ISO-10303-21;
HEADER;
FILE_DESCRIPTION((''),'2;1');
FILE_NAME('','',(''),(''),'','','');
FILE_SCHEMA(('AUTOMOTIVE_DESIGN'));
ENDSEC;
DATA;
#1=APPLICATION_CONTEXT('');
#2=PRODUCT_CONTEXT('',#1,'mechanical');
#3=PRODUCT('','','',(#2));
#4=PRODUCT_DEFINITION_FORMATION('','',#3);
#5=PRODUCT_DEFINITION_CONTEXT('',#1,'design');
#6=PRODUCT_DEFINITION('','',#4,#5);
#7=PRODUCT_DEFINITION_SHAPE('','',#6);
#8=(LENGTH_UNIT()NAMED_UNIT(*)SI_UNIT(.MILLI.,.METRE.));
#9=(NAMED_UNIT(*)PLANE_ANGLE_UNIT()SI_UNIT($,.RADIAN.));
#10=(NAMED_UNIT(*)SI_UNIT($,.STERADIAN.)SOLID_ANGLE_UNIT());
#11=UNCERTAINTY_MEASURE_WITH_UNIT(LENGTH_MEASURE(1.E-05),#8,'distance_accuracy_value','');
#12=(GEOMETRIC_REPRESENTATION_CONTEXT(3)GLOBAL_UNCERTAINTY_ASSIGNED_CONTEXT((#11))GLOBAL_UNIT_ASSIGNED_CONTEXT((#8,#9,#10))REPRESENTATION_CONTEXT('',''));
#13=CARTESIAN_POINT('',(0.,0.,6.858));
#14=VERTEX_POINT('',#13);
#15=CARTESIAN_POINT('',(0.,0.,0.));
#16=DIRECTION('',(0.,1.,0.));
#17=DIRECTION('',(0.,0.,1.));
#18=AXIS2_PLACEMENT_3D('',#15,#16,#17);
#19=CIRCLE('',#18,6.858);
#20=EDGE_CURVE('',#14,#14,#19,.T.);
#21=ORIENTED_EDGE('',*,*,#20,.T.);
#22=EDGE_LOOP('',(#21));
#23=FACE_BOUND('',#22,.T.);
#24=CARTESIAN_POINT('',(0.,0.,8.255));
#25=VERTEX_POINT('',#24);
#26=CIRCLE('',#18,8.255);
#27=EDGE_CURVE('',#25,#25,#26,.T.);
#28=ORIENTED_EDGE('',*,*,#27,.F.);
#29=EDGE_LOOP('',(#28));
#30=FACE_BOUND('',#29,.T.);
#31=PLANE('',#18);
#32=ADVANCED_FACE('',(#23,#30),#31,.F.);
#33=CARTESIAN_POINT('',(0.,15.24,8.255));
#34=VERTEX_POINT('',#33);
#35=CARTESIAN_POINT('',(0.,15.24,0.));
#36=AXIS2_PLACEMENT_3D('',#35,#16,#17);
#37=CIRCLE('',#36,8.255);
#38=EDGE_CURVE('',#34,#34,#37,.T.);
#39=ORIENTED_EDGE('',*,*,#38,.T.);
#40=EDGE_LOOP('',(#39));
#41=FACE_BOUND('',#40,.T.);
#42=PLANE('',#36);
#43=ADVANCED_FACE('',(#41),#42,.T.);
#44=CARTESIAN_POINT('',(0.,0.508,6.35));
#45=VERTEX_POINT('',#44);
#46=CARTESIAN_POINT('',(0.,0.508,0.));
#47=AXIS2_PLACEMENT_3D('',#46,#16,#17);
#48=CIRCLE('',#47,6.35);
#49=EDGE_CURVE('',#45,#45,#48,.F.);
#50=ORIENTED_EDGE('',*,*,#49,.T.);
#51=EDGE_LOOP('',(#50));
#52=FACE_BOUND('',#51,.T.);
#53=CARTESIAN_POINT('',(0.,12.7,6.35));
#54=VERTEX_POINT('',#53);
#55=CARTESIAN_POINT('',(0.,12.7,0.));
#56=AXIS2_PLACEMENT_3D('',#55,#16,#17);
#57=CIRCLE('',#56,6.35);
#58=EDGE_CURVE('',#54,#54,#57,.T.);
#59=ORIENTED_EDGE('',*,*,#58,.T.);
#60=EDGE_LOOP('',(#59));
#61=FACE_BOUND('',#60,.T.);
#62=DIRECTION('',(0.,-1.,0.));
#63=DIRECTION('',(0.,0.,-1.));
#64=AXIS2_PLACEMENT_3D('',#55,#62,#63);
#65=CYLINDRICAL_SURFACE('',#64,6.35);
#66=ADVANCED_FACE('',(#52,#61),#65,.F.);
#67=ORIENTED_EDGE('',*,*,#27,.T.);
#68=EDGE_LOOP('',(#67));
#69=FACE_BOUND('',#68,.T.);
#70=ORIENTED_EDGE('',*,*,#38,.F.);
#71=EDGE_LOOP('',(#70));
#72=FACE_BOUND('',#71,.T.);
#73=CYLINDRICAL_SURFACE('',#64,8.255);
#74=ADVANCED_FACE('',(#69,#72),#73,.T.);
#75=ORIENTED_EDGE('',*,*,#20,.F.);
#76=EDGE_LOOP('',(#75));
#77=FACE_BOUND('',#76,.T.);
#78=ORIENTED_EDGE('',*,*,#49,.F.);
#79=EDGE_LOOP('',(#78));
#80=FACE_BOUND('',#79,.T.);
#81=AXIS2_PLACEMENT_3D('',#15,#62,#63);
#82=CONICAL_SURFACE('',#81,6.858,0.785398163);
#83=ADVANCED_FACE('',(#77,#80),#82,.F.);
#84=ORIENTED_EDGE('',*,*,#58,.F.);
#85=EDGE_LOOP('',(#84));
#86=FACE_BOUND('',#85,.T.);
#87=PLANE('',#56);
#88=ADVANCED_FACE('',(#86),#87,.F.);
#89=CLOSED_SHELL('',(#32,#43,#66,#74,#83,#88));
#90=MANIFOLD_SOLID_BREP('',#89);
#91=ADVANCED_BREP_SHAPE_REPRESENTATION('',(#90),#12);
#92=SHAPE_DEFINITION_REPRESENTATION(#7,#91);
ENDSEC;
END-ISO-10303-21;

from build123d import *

# Parameters (mm, degrees)
SKETCH1_R           = 8.255
SKETCH1_R_2         = 6.35
BOSS_EXTRUDE1_DEPTH = 12.7
SKETCH2_R           = 8.255
BOSS_EXTRUDE2_DEPTH = 2.54
CHAMFER1_SIZE       = 0.508


with BuildPart() as part:
    # Sketch1 → Boss-Extrude1 (new body)
    with BuildSketch(Plane(origin=(0, 0, 0), x_dir=(1, 0, 0), z_dir=(0, 1, 0))):
        with Locations(Location((0, 0, 0), (0, 0, 270))):  # turned: the seam where the file's is
            Circle(SKETCH1_R)
        with Locations(Location((0, 0, 0), (0, 0, 270))):  # turned: the seam where the file's is
            Circle(SKETCH1_R_2, mode=Mode.SUBTRACT)
    extrude(amount=BOSS_EXTRUDE1_DEPTH)

    # Sketch2 → Boss-Extrude2 (add)
    with BuildSketch(Plane(origin=(0, 12.7, 0), x_dir=(1, 0, 0), z_dir=(0, 1, 0))):
        with Locations(Location((0, 0, 0), (0, 0, 270))):  # turned: the seam where the file's is
            Circle(SKETCH2_R)
    extrude(amount=BOSS_EXTRUDE2_DEPTH)

    # Chamfer1
    chamfer1_edges = [part.edges().sort_by_distance(p)[0] for p in [
        (0, 0, -6.35),
    ]]
    chamfer(chamfer1_edges, length=CHAMFER1_SIZE)


solid = part.part
